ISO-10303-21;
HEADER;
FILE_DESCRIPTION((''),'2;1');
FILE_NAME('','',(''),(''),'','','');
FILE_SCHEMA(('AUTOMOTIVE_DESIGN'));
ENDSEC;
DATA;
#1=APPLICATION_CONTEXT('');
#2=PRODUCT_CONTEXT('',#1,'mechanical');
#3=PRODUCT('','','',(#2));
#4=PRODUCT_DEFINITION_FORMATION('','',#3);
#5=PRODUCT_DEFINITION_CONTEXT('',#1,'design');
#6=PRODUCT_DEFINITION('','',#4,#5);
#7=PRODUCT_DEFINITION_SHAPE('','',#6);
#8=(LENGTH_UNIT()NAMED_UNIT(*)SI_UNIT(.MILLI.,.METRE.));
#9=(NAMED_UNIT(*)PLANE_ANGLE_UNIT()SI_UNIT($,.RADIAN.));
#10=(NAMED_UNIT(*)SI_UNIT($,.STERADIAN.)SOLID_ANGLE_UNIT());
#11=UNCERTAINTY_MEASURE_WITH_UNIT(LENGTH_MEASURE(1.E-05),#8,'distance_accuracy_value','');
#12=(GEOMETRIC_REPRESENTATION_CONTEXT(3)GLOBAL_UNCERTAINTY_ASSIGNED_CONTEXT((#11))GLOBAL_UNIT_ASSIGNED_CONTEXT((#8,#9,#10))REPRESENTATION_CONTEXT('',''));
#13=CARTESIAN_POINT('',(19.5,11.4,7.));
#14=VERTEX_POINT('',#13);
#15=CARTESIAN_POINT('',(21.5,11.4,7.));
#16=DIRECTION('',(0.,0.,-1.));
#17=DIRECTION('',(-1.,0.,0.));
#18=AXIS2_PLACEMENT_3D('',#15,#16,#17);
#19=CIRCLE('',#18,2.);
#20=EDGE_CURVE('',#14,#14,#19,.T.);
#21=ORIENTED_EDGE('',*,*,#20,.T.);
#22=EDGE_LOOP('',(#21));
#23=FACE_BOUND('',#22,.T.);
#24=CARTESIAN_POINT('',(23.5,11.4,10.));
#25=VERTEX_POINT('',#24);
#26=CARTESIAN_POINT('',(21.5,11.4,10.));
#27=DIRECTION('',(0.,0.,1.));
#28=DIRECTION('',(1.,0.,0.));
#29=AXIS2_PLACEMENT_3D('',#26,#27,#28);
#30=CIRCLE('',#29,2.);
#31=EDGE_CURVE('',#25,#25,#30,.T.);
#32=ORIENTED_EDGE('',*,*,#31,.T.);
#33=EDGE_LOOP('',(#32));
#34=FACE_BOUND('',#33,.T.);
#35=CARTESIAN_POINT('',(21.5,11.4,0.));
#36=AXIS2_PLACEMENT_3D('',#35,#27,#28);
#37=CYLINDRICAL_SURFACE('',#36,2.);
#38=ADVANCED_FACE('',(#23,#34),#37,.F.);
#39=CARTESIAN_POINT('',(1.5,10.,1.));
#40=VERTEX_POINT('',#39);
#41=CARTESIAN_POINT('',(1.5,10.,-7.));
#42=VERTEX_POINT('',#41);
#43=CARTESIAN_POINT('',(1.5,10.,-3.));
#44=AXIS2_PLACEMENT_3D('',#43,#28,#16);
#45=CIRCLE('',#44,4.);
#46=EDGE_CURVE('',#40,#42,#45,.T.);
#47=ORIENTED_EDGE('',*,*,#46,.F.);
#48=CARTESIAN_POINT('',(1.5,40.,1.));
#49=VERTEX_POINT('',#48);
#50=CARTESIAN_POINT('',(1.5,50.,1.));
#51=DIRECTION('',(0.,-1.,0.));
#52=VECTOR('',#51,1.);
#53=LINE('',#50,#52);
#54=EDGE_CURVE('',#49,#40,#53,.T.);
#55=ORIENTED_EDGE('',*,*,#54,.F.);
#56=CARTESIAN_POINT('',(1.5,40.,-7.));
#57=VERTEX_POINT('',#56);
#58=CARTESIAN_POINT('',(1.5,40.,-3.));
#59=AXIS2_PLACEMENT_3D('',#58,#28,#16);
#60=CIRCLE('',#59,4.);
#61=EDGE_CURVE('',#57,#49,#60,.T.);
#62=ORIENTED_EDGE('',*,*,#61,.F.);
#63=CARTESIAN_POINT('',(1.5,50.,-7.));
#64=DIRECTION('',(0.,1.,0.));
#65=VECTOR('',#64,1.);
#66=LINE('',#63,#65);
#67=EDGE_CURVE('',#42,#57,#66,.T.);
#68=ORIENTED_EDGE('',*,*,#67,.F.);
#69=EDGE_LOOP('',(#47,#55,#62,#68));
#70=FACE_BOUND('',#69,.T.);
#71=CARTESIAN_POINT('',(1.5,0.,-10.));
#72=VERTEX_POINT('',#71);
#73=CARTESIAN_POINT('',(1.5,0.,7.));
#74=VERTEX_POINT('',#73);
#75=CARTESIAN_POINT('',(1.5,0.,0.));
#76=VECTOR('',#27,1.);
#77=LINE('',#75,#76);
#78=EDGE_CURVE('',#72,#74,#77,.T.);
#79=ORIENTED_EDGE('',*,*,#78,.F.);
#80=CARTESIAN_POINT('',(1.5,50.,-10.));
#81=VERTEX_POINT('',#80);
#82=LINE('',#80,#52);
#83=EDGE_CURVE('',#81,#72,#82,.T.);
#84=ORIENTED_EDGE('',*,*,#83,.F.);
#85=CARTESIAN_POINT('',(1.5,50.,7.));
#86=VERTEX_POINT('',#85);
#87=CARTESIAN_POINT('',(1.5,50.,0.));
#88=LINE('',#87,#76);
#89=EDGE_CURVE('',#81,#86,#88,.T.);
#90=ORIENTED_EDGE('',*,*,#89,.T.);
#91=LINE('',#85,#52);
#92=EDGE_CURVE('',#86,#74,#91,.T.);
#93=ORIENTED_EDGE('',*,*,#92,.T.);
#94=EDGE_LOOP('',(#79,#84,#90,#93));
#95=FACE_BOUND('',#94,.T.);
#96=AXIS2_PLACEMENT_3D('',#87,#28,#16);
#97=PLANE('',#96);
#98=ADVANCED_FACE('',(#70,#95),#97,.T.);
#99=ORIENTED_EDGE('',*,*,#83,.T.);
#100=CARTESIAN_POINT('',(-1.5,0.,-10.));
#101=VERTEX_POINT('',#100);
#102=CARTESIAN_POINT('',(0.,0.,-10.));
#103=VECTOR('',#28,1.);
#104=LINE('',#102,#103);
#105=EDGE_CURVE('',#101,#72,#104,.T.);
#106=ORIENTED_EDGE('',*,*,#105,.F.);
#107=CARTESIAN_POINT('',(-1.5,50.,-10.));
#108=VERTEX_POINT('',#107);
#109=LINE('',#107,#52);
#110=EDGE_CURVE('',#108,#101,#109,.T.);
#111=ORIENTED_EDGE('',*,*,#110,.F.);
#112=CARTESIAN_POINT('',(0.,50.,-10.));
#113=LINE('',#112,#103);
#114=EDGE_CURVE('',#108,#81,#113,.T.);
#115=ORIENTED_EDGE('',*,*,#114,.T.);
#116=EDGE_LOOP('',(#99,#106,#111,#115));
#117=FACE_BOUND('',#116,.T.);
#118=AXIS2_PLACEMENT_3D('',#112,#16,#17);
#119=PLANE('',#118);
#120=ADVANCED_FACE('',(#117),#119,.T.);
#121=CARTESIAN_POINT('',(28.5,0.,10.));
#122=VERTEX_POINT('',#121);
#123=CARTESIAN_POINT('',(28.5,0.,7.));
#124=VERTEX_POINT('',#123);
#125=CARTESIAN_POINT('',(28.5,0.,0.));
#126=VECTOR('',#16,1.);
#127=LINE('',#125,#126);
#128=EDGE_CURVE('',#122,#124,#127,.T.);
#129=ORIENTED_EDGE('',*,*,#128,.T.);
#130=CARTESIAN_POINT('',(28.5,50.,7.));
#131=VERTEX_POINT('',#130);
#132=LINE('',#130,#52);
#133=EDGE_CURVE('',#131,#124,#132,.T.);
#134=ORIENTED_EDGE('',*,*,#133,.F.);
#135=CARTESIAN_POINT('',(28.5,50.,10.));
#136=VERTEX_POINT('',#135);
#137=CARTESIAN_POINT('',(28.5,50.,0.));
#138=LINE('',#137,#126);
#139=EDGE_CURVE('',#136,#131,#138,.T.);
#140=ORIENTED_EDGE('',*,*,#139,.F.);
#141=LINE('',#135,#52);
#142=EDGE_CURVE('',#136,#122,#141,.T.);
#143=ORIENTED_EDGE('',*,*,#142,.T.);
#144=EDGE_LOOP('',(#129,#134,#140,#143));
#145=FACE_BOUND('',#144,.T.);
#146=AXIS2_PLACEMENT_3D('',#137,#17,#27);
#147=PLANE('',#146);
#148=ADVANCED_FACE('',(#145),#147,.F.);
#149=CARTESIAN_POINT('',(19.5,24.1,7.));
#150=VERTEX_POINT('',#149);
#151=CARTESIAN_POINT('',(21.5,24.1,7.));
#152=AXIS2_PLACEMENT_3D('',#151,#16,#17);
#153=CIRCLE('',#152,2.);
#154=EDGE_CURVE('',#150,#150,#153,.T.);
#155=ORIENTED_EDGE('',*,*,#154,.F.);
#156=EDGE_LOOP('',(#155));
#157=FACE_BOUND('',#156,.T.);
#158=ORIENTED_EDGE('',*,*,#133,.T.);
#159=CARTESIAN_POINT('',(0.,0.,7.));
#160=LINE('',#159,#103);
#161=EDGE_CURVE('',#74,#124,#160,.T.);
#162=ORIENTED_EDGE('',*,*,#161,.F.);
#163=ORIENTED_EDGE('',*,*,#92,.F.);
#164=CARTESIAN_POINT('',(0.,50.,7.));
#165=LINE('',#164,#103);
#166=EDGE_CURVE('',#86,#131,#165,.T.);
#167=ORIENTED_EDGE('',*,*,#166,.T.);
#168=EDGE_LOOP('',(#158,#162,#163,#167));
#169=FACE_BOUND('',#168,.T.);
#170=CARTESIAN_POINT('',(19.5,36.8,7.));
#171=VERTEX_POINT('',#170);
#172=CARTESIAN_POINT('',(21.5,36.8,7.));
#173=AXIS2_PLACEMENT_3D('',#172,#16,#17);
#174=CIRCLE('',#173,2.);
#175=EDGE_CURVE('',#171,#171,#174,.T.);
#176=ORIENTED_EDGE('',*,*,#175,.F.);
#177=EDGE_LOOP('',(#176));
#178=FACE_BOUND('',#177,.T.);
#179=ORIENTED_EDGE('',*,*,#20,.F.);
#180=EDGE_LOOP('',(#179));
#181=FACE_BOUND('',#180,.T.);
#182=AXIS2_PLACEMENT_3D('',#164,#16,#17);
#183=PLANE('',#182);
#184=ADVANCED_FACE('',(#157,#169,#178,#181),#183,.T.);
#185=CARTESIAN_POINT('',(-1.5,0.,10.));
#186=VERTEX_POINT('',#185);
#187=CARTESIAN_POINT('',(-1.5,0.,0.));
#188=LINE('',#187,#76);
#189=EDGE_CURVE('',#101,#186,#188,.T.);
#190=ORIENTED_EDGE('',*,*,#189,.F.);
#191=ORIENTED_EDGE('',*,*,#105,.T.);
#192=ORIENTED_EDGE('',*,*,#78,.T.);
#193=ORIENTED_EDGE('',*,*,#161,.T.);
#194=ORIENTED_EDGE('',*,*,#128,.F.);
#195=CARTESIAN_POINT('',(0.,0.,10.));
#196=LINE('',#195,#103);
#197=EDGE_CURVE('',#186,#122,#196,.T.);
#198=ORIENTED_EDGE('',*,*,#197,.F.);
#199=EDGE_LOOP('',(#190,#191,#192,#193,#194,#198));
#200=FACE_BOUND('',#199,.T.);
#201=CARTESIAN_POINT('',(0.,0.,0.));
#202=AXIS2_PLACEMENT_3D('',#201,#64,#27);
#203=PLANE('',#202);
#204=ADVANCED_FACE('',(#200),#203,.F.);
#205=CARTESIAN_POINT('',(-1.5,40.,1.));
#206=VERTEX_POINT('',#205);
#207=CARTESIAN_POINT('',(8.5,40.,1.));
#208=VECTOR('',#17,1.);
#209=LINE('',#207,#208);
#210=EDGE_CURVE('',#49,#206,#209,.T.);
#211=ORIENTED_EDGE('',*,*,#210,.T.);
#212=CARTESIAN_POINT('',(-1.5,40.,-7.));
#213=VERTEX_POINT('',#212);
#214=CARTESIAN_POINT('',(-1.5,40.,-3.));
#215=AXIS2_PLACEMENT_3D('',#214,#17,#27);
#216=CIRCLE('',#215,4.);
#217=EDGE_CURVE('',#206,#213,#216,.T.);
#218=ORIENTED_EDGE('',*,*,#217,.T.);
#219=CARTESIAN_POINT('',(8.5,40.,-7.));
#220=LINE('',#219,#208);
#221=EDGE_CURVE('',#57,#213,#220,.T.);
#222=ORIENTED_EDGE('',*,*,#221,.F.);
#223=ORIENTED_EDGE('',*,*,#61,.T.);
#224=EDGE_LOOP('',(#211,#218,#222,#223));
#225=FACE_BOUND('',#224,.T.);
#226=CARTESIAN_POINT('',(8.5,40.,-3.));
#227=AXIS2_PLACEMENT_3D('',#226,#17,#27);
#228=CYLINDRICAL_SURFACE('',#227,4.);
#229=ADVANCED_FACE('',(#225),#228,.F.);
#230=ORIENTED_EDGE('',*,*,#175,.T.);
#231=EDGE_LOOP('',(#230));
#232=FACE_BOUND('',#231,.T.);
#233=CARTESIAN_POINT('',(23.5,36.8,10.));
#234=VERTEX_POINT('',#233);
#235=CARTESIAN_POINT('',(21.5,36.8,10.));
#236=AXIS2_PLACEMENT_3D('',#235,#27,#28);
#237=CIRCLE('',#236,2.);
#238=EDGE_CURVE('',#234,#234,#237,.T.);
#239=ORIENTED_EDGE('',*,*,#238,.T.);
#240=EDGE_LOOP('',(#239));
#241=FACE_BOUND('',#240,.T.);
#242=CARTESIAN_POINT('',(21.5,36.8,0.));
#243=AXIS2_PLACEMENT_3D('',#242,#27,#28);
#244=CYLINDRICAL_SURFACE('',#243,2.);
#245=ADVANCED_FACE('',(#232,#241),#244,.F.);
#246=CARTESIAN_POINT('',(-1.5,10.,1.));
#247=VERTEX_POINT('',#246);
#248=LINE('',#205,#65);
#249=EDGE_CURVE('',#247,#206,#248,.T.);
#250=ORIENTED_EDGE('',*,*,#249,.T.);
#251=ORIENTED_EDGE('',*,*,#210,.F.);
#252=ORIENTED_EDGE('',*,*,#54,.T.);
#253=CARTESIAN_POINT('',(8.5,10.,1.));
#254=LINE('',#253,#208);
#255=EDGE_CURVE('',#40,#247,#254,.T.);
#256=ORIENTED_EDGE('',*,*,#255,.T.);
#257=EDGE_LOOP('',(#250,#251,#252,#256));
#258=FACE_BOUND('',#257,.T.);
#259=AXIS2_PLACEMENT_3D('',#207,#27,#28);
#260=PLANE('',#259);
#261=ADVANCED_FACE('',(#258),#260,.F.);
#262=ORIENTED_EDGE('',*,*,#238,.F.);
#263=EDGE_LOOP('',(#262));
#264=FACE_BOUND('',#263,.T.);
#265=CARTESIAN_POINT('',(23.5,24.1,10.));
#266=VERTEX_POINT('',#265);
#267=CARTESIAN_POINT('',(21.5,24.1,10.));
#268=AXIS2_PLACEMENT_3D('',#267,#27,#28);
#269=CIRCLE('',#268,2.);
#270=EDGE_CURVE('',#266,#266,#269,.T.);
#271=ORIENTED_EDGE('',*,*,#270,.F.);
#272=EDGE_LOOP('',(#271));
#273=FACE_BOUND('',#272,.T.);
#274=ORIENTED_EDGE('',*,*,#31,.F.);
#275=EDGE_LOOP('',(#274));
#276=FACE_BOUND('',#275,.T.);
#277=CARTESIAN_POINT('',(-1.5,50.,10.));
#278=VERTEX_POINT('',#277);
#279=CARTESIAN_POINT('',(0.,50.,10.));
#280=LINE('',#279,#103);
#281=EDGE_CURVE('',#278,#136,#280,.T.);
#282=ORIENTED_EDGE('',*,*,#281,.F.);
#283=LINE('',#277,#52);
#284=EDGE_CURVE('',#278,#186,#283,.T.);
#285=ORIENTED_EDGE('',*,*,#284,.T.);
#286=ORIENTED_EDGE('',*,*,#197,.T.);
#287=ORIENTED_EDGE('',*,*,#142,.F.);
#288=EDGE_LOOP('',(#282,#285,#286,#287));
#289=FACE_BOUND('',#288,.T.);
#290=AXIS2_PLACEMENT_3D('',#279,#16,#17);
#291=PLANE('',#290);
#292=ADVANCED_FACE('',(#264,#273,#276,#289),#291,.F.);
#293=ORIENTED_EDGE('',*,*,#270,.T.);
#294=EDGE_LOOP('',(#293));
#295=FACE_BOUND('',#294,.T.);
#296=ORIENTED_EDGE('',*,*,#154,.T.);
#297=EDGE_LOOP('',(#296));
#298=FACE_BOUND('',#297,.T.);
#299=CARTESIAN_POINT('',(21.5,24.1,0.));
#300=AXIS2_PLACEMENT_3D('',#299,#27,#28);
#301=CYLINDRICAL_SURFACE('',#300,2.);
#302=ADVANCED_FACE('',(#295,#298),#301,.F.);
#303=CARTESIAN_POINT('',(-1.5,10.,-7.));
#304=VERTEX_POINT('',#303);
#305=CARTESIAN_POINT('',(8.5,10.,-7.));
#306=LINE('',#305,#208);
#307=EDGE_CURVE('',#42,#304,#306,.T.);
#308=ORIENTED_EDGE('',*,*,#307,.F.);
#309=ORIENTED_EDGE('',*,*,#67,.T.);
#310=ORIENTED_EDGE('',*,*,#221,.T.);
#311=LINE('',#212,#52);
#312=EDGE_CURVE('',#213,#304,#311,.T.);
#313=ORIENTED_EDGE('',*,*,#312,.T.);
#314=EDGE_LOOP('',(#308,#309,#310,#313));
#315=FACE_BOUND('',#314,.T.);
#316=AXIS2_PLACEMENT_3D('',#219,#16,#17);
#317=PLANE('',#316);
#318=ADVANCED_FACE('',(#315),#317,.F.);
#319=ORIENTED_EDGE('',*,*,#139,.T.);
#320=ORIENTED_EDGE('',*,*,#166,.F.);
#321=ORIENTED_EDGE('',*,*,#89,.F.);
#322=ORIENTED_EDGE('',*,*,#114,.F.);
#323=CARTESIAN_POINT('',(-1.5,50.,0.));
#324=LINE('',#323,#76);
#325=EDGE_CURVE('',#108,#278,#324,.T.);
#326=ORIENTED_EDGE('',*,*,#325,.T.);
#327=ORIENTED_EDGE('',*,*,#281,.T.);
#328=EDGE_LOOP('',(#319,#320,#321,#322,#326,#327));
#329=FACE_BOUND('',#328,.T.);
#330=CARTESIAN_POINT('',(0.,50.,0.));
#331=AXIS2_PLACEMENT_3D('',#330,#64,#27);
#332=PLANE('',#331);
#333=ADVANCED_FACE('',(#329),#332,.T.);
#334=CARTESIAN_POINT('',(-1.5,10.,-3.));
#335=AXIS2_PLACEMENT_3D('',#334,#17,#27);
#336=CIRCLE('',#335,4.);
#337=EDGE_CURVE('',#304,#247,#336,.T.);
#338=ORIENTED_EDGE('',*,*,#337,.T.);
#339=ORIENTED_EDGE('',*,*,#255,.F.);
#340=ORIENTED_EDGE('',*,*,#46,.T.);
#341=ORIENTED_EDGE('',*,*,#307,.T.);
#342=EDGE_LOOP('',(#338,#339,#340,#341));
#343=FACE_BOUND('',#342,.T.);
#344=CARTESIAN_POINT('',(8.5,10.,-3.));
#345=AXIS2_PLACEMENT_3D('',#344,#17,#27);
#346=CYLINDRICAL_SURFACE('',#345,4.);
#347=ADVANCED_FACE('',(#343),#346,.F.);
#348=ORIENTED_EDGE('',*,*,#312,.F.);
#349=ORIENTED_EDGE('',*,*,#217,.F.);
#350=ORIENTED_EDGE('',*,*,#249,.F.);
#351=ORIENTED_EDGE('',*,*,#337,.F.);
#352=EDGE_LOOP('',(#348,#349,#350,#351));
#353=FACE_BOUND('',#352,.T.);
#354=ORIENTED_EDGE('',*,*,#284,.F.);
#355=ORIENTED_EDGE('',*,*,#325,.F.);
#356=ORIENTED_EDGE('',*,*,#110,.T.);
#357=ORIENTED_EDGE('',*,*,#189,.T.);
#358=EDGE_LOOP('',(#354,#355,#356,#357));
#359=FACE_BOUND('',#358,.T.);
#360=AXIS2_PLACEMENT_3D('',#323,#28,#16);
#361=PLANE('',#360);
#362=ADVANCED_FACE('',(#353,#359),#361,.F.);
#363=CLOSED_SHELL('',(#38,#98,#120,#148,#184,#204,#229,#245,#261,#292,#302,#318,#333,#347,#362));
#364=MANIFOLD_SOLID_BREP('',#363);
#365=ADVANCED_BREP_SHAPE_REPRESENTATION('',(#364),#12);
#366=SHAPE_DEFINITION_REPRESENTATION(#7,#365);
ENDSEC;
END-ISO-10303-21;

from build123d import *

# Parameters (mm, degrees)
SKETCH_1_W          = 3
SKETCH_1_H          = 17
SKETCH_1_H_2        = 3
SKETCH_1_W_2        = 27
EXTRUDE_1_DEPTH     = 50
SKETCH_2_R          = 2
CUT_EXTRUDE_1_DEPTH = 10
CUT_EXTRUDE_2_DEPTH = 10


with BuildPart() as part:
    # 草图1 → 凸台-拉伸1 (new body)
    with BuildSketch(Plane(origin=(0, 0, 0), x_dir=(1, 0, 0), z_dir=(0, 1, 0))):
        with Locations((0, 1.5)):
            Rectangle(SKETCH_1_W, SKETCH_1_H)
        with Locations((0, -8.5)):
            Rectangle(SKETCH_1_W, SKETCH_1_H_2)
        with Locations((15, -8.5)):
            Rectangle(SKETCH_1_W_2, SKETCH_1_H_2)
    extrude(amount=EXTRUDE_1_DEPTH)

    # 草图2 → 切除-拉伸1 (cut)
    with BuildSketch(Plane.XY.offset(10)):
        with Locations((21.5, 36.8)):
            Circle(SKETCH_2_R)
        with Locations((21.5, 24.1)):
            Circle(SKETCH_2_R)
        with Locations((21.5, 11.4)):
            Circle(SKETCH_2_R)
    extrude(amount=-CUT_EXTRUDE_1_DEPTH, mode=Mode.SUBTRACT)

    # 草图3 → 切除-拉伸2 (cut)
    with BuildSketch(Plane.ZY.offset(1.5)):
        with BuildLine():
            Line((1, 40), (1, 10))
            ThreePointArc((1, 10), (-3, 6), (-7, 10))
            Line((-7, 10), (-7, 40))
            ThreePointArc((-7, 40), (-3, 44), (1, 40))
        make_face()
    extrude(amount=-CUT_EXTRUDE_2_DEPTH, mode=Mode.SUBTRACT)


solid = part.part
